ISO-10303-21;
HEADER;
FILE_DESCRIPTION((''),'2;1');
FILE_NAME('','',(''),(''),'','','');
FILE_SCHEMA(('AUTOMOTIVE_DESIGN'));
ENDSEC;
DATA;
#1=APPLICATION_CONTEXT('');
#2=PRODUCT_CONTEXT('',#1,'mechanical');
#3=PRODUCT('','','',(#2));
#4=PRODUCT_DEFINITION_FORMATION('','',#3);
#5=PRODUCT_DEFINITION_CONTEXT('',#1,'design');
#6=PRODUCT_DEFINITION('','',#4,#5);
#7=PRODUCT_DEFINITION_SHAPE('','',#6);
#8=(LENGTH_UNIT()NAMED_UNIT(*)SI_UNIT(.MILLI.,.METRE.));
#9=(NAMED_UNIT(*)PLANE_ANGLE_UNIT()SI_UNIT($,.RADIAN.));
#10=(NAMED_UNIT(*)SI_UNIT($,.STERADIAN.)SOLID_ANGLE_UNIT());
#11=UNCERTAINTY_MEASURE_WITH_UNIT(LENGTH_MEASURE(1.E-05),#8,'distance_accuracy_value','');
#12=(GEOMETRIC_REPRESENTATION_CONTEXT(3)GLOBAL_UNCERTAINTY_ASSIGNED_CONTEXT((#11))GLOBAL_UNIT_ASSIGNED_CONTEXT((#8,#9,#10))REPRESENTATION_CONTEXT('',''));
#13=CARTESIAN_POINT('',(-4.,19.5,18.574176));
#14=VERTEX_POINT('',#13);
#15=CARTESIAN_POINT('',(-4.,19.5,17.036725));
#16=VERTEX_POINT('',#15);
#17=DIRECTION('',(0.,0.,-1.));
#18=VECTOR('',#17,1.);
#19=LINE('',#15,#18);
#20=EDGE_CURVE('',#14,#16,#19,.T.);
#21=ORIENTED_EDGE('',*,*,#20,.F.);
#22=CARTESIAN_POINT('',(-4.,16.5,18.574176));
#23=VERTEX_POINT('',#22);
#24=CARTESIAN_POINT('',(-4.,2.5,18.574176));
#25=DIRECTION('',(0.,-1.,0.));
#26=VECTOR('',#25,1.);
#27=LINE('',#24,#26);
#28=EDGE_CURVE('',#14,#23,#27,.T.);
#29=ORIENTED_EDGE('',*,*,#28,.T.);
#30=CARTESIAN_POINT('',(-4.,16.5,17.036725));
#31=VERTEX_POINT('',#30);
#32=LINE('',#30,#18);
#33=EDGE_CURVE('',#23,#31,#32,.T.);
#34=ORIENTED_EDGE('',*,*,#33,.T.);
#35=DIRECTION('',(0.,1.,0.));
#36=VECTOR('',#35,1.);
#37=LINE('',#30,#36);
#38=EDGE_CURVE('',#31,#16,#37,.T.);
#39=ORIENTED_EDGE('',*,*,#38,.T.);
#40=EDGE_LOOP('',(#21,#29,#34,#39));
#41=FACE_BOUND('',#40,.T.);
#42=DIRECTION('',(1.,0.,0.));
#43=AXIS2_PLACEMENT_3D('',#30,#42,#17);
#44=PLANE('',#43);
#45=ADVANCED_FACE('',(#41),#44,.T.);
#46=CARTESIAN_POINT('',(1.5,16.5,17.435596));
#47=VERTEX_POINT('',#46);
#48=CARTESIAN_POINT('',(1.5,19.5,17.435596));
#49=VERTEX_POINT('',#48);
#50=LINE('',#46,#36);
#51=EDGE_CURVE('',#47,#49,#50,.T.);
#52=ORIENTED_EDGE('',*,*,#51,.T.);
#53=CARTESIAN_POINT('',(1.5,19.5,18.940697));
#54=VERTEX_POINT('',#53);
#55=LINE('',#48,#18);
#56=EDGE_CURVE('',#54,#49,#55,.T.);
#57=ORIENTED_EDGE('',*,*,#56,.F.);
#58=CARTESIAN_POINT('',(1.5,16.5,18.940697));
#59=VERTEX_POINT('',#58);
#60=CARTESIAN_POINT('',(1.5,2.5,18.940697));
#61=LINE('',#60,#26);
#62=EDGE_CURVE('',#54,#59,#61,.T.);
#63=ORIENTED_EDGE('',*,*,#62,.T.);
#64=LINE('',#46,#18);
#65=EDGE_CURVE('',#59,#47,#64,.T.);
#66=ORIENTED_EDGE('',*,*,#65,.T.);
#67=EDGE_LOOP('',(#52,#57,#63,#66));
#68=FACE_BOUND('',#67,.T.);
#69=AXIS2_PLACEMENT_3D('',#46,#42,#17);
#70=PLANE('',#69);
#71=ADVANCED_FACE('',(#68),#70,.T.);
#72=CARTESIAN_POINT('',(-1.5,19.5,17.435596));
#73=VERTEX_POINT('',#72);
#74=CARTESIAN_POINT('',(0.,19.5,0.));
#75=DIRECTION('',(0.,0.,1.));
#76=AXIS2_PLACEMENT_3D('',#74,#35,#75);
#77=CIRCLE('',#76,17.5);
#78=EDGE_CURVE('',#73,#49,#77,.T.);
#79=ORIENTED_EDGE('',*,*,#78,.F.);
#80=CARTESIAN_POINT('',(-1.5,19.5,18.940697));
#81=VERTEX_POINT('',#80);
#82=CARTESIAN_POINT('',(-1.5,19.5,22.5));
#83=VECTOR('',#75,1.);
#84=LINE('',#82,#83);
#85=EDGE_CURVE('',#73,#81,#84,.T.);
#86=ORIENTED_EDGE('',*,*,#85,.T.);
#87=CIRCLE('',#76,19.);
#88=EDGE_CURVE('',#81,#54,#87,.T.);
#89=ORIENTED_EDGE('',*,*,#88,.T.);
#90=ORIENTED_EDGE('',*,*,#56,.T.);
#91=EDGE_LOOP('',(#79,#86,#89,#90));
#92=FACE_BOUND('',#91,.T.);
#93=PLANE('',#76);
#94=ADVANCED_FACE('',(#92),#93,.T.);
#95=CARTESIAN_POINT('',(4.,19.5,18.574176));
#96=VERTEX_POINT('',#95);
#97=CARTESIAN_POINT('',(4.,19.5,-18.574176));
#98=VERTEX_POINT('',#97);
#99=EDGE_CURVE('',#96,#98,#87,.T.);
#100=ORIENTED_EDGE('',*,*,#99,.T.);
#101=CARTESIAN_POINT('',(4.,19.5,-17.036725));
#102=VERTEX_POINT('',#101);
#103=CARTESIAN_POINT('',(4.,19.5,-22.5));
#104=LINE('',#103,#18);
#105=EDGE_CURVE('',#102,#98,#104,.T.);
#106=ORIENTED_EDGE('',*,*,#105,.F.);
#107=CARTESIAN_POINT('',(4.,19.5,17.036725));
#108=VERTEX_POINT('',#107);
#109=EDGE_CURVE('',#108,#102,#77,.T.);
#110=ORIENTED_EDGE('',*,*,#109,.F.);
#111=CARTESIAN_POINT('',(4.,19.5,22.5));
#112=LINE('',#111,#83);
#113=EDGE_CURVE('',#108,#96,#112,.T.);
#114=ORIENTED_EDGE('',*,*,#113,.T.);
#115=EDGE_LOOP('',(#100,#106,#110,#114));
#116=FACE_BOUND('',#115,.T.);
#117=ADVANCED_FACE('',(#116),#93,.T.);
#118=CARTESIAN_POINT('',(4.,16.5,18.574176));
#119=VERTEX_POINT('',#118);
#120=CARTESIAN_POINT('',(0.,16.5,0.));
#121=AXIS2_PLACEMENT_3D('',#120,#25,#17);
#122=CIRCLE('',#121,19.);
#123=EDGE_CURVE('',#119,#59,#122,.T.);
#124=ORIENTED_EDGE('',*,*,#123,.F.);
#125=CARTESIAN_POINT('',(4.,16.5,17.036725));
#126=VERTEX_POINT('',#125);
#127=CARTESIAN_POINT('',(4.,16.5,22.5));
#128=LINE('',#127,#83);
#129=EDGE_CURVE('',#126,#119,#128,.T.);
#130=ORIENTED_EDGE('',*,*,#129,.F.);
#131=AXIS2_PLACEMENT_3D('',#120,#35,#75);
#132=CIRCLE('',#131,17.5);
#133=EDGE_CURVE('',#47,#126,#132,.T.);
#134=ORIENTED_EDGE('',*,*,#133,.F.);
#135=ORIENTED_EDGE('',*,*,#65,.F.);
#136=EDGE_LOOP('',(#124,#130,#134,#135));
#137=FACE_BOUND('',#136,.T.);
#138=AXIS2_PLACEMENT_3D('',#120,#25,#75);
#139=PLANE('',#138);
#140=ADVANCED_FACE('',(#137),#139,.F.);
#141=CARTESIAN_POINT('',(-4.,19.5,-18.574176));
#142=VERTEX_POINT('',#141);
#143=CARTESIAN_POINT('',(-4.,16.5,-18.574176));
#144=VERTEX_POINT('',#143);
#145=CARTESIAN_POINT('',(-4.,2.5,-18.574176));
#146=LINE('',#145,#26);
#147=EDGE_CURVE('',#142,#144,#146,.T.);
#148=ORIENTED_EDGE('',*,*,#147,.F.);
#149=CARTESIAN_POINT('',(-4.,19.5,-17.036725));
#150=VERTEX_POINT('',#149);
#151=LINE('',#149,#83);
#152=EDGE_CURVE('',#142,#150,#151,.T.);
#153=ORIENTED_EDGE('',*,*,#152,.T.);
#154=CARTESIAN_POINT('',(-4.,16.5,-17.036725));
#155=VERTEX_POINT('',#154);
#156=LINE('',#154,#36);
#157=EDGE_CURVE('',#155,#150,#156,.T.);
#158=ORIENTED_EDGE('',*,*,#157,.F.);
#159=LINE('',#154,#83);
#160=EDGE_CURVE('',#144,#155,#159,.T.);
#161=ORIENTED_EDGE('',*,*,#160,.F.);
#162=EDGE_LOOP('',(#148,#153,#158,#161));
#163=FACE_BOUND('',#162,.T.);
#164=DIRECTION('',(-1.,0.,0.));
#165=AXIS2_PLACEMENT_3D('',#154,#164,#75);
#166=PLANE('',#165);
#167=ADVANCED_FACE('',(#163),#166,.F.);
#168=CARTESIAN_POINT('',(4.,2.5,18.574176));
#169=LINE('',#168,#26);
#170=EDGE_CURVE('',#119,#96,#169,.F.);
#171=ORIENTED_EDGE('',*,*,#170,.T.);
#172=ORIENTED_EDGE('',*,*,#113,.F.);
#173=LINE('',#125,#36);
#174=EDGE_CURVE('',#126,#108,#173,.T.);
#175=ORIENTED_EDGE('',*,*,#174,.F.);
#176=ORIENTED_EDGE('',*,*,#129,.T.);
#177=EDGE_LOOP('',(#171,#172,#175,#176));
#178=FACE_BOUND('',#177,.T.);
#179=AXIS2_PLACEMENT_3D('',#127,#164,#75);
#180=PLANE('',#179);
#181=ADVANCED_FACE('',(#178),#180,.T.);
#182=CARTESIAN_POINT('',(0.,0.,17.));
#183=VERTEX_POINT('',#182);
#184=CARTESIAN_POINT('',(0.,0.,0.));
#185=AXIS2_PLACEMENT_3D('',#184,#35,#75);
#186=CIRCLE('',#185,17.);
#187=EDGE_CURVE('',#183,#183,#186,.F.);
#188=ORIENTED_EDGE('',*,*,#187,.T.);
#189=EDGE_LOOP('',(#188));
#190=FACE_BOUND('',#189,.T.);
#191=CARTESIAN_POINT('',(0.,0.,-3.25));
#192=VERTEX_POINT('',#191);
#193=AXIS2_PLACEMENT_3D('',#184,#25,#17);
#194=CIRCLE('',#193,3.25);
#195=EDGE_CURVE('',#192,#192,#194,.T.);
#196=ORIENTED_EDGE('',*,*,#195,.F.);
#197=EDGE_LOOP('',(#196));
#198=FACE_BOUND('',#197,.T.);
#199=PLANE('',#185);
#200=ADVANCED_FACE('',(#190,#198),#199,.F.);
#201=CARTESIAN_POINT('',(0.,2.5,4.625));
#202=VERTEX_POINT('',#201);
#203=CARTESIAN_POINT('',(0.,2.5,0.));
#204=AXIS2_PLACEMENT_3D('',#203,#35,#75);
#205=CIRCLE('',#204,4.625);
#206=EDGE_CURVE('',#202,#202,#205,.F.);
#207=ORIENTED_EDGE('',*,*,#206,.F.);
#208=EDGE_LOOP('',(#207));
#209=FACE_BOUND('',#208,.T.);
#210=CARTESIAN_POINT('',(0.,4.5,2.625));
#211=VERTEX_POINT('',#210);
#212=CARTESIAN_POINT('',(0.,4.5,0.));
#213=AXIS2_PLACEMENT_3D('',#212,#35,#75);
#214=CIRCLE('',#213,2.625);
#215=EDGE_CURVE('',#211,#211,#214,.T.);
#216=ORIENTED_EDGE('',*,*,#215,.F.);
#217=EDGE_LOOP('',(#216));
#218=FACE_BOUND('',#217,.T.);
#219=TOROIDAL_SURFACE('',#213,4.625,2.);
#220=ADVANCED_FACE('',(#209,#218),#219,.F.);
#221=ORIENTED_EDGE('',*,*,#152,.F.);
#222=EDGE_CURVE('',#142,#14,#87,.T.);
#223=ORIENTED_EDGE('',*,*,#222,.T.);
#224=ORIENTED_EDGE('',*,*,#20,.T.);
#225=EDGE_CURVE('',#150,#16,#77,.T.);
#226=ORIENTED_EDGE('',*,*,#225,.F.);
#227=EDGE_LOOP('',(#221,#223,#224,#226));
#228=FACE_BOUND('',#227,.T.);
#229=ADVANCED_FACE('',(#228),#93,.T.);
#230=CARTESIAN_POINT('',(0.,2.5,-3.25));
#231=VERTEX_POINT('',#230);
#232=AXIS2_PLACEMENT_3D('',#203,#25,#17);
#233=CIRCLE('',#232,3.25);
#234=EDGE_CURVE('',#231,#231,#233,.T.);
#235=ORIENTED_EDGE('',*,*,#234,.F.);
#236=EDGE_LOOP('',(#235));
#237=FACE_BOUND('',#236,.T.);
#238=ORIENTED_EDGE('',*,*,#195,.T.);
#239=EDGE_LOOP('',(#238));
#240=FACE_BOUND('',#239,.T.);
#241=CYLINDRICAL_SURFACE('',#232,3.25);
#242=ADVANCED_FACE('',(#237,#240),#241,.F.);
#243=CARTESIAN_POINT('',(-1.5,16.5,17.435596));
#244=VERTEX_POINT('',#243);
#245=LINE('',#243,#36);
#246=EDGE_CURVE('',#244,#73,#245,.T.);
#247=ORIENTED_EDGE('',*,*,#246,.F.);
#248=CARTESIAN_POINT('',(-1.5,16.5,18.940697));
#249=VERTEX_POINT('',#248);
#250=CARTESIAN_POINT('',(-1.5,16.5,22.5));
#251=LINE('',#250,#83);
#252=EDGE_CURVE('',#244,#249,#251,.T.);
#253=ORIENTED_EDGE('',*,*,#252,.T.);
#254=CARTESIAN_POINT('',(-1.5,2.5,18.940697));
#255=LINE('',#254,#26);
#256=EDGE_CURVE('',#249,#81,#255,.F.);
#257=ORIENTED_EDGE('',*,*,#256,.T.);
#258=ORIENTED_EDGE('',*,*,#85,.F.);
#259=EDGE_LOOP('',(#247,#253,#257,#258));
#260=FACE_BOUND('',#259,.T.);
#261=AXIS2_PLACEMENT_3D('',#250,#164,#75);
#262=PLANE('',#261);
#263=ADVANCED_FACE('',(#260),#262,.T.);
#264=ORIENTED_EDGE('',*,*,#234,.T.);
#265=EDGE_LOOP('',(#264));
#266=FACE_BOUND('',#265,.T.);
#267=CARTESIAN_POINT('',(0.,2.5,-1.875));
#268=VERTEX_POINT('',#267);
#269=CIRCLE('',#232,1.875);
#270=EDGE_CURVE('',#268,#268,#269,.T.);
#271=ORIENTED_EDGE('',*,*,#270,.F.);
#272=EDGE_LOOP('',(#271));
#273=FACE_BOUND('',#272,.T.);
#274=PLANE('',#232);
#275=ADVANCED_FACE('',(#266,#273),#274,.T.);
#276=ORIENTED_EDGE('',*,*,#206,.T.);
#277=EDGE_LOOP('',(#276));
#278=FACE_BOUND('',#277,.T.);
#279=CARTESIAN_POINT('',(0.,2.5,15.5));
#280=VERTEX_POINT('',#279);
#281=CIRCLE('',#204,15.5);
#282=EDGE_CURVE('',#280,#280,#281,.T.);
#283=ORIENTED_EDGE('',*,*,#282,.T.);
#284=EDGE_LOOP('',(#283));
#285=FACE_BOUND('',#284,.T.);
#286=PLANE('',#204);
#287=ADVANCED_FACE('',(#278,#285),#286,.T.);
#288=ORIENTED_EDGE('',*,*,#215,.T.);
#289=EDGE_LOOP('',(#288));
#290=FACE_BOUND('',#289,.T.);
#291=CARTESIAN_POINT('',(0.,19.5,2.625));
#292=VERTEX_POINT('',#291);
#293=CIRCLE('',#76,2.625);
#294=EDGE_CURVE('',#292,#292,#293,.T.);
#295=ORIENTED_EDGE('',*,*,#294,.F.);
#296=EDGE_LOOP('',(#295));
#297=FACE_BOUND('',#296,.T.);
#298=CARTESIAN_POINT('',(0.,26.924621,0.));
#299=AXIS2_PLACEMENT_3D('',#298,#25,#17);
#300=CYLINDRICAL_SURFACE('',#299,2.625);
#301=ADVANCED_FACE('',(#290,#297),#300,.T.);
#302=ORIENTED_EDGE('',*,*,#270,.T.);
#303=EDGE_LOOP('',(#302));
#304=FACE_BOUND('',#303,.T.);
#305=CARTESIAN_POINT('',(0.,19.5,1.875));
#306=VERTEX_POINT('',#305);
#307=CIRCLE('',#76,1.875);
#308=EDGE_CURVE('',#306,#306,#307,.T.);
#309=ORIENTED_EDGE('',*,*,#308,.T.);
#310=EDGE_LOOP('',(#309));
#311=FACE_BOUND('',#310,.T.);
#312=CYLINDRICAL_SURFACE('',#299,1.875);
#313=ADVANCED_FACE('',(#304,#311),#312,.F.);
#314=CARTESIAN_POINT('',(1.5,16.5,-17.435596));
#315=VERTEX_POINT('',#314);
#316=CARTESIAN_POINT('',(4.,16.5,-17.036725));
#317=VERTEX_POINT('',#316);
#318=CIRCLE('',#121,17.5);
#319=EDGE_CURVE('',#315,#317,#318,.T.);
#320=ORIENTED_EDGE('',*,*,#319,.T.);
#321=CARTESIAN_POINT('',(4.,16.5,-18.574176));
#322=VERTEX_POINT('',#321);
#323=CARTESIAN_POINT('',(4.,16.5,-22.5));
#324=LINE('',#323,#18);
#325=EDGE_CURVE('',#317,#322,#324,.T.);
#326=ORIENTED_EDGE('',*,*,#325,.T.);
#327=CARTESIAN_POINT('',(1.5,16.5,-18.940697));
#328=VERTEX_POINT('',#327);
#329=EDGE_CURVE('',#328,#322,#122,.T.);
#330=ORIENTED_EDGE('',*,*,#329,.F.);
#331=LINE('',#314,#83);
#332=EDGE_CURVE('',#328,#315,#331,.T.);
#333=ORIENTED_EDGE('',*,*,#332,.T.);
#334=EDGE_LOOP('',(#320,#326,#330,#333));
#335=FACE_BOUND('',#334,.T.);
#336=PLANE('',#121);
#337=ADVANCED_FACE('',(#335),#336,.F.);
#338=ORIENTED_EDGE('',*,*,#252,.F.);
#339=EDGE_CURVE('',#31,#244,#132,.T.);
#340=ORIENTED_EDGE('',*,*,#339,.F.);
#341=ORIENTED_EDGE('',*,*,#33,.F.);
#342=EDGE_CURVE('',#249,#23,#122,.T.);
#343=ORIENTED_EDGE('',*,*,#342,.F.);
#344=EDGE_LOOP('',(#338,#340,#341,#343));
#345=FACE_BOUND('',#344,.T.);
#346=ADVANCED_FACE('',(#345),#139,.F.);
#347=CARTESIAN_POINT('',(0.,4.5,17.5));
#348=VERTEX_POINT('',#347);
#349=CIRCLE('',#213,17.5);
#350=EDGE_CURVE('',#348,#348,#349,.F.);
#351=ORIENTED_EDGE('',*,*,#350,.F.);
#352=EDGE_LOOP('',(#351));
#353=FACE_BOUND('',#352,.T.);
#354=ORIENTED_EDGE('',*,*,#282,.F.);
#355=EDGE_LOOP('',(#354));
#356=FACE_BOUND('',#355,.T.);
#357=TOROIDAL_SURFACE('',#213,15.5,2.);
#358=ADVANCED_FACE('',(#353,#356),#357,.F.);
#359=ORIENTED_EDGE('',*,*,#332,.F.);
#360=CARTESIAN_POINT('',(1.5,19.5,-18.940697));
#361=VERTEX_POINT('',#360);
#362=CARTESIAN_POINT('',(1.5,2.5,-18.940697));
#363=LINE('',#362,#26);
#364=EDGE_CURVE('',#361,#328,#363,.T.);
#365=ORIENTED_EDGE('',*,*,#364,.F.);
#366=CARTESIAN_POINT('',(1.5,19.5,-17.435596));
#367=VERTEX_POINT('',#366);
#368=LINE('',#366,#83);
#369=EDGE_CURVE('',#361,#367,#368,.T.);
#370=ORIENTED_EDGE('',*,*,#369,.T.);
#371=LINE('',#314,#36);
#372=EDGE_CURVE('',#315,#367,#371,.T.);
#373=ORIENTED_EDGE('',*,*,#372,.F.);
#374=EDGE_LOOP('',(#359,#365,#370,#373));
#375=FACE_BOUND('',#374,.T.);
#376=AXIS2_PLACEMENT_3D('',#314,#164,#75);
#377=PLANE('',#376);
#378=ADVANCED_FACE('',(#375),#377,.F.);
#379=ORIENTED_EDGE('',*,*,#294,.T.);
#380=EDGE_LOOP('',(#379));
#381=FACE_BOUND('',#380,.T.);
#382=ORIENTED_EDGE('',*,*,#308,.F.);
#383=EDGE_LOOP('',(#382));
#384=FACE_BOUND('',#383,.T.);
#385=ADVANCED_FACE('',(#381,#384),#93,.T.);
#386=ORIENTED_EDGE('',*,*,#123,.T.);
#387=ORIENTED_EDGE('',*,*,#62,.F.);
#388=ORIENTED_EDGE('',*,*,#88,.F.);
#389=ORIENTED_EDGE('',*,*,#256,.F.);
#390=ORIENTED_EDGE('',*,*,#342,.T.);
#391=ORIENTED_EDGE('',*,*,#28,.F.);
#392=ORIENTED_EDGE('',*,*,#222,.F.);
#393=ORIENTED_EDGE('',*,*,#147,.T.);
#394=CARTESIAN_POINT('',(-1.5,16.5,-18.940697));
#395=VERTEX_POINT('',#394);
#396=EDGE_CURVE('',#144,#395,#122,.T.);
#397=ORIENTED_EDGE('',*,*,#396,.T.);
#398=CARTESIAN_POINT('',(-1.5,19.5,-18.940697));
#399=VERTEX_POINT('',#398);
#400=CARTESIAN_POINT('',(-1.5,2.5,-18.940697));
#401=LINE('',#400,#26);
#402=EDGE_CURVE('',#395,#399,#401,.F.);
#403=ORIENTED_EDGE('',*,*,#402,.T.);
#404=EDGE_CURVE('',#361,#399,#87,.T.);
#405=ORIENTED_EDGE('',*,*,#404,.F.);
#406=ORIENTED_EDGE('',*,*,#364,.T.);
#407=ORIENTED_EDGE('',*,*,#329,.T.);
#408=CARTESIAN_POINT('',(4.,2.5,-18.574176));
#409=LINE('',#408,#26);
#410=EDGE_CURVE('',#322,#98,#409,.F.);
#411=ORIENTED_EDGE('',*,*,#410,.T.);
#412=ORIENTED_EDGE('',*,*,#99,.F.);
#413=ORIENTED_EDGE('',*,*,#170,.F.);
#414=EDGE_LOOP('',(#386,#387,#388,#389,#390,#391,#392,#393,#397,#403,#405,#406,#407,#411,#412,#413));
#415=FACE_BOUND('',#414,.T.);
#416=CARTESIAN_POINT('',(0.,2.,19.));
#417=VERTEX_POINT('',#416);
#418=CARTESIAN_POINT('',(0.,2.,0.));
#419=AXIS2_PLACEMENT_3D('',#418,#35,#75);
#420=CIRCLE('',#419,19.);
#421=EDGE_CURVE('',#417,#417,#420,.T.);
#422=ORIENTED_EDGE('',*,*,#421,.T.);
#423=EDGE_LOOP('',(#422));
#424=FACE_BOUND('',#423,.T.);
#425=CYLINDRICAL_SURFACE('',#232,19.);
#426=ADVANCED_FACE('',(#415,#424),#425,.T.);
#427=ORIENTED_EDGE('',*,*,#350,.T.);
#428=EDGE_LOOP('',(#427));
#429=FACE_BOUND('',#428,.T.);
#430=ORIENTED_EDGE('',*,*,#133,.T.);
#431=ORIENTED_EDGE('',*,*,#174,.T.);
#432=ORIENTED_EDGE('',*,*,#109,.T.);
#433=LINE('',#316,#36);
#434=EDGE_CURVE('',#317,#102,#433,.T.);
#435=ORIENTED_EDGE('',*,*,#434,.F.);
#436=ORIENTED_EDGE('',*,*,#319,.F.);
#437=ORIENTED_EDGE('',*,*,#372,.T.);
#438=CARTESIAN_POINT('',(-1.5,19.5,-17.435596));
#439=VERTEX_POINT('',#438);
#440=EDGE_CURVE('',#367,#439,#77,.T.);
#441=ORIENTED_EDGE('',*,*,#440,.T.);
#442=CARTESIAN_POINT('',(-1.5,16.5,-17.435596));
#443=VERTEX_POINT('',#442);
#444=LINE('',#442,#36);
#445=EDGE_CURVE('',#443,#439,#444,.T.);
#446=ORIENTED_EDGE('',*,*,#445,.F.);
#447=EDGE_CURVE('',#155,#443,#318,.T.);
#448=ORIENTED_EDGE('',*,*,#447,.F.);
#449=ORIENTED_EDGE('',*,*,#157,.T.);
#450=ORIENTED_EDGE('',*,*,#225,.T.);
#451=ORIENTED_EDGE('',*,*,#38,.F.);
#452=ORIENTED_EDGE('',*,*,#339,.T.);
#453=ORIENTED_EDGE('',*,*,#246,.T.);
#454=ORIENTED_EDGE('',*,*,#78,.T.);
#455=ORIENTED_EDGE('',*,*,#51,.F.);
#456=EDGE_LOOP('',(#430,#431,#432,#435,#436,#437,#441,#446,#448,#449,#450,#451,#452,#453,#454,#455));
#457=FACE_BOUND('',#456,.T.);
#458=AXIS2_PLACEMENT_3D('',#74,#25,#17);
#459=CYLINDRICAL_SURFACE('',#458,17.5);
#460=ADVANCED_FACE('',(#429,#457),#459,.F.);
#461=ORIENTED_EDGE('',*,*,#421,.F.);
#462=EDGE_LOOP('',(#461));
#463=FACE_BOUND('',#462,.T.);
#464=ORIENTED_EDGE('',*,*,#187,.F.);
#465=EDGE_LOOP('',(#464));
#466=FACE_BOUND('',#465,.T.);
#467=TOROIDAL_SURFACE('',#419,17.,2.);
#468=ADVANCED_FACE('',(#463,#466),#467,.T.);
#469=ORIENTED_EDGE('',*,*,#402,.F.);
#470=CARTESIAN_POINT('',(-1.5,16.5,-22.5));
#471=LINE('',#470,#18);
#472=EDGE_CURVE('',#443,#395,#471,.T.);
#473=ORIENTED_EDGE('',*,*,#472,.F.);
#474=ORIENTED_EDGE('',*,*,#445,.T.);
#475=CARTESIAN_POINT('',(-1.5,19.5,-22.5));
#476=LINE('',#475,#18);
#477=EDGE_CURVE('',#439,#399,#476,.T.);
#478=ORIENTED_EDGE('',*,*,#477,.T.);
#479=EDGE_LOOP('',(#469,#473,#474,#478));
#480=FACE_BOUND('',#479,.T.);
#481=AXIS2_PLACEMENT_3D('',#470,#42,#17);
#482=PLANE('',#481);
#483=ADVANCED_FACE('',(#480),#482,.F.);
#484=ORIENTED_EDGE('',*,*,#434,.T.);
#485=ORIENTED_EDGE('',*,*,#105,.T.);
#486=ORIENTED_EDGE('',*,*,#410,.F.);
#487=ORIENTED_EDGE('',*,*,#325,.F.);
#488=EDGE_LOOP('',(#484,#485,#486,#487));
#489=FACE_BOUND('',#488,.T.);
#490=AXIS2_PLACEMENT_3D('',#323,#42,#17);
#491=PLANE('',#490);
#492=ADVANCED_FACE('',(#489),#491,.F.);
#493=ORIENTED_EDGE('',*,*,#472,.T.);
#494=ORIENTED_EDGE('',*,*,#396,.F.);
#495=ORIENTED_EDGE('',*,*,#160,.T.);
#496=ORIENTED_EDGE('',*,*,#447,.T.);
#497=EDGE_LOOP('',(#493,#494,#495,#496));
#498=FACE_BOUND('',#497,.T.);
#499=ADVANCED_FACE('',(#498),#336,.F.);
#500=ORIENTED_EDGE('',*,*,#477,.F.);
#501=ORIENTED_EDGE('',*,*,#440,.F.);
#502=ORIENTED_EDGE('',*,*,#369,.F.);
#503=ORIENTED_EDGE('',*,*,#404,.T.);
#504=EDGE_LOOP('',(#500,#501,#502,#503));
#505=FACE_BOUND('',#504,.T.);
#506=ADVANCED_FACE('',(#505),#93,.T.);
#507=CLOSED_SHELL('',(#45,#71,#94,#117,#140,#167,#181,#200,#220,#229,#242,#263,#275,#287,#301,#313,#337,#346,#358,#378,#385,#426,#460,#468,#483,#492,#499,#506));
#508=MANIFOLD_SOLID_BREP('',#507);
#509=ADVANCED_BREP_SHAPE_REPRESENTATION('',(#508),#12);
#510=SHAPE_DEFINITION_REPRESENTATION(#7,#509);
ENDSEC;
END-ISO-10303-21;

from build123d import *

# Parameters (mm, degrees)
SKETCH1_R           = 19
BOSS_EXTRUDE1_DEPTH = 2.5
BOSS_EXTRUDE2_START = 2.5
SKETCH1_3_R         = 19
SKETCH1_3_R_2       = 17.5
BOSS_EXTRUDE2_DEPTH = 17
BOSS_EXTRUDE3_START = 2.5
SKETCH1_5_R         = 2.625
SKETCH1_5_R_2       = 1.875
BOSS_EXTRUDE3_DEPTH = 17
SKETCH1_6_R         = 1.875
CUT_EXTRUDE3_DEPTH  = 34.200150602
FILLET1_R           = 2
FILLET2_R           = 2
SKETCH2_R           = 3.25
CUT_EXTRUDE5_DEPTH  = 2.5
CUT_EXTRUDE6_START  = -3
CUT_EXTRUDE6_DEPTH  = 3


with BuildPart() as part:
    # Sketch1 → Boss-Extrude1 (new body)
    with BuildSketch(Plane(origin=(0, 0, 0), x_dir=(1, 0, 0), z_dir=(0, 1, 0))):
        with Locations(Location((0, 0, 0), (0, 0, 270))):
            Circle(SKETCH1_R)
    extrude(amount=BOSS_EXTRUDE1_DEPTH)

    # Sketch1<3> → Boss-Extrude2 (add)
    with BuildSketch(Plane(origin=(0, 0, 0), x_dir=(1, 0, 0), z_dir=(0, 1, 0)).offset(BOSS_EXTRUDE2_START)):
        with Locations(Location((0, 0, 0), (0, 0, 270))):
            Circle(SKETCH1_3_R)
        with Locations(Location((0, 0, 0), (0, 0, 270))):
            Circle(SKETCH1_3_R_2, mode=Mode.SUBTRACT)
    extrude(amount=BOSS_EXTRUDE2_DEPTH)

    # Sketch1<5> → Boss-Extrude3 (add)
    with BuildSketch(Plane(origin=(0, 0, 0), x_dir=(1, 0, 0), z_dir=(0, 1, 0)).offset(BOSS_EXTRUDE3_START)):
        with Locations(Location((0, 0, 0), (0, 0, 270))):
            Circle(SKETCH1_5_R)
        with Locations(Location((0, 0, 0), (0, 0, 270))):
            Circle(SKETCH1_5_R_2, mode=Mode.SUBTRACT)
    extrude(amount=BOSS_EXTRUDE3_DEPTH)

    # Sketch1<6> → Cut-Extrude3 (cut, through all)
    with BuildSketch(Plane(origin=(0, 0, 0), x_dir=(1, 0, 0), z_dir=(0, 1, 0))):
        with Locations(Location((0, 0, 0), (0, 0, 270))):
            Circle(SKETCH1_6_R)
    extrude(amount=CUT_EXTRUDE3_DEPTH, mode=Mode.SUBTRACT)

    # Fillet1
    fillet1_edges = [part.edges().sort_by_distance(p)[0] for p in [
        (0, 0, -19),
    ]]
    fillet(fillet1_edges, radius=FILLET1_R)

    # Fillet2
    fillet2_edges = [part.edges().sort_by_distance(p)[0] for p in [
        (0, 2.5, -2.625),
        (0, 2.5, -17.5),
    ]]
    fillet(fillet2_edges, radius=FILLET2_R)

    # Sketch2 → Cut-Extrude5 (cut)
    with BuildSketch(Plane.XZ):
        with Locations(Location((0, 0, 0), (0, 0, 270))):
            Circle(SKETCH2_R)
    extrude(amount=-CUT_EXTRUDE5_DEPTH, mode=Mode.SUBTRACT)

    # Sketch3 → Cut-Extrude6 (cut)
    with BuildSketch(Plane(origin=(0, 19.5, 0), x_dir=(1, 0, 0), z_dir=(0, 1, 0)).offset(CUT_EXTRUDE6_START)):
        with BuildLine():
            Line((-4, 17.036725037), (-4, 22.5))
            Line((-4, 22.5), (-1.5, 22.5))
            Line((-1.5, 22.5), (-1.5, 17.435595774))
            ThreePointArc((-1.5, 17.435595774), (-2.757222237, 17.281427185), (-4, 17.036725037))
        make_face()
        with BuildLine():
            Line((4, 22.5), (4, 17.036725037))
            ThreePointArc((4, 17.036725037), (2.757222237, 17.281427185), (1.5, 17.435595774))
            Line((1.5, 17.435595774), (1.5, 22.5))
            Line((1.5, 22.5), (4, 22.5))
        make_face()
    cut_extrude6 = extrude(amount=CUT_EXTRUDE6_DEPTH, mode=Mode.SUBTRACT)

    # Mirror1: Cut-Extrude6 across plane
    add(cut_extrude6.mirror(Plane.XY), mode=Mode.SUBTRACT)


solid = part.part
